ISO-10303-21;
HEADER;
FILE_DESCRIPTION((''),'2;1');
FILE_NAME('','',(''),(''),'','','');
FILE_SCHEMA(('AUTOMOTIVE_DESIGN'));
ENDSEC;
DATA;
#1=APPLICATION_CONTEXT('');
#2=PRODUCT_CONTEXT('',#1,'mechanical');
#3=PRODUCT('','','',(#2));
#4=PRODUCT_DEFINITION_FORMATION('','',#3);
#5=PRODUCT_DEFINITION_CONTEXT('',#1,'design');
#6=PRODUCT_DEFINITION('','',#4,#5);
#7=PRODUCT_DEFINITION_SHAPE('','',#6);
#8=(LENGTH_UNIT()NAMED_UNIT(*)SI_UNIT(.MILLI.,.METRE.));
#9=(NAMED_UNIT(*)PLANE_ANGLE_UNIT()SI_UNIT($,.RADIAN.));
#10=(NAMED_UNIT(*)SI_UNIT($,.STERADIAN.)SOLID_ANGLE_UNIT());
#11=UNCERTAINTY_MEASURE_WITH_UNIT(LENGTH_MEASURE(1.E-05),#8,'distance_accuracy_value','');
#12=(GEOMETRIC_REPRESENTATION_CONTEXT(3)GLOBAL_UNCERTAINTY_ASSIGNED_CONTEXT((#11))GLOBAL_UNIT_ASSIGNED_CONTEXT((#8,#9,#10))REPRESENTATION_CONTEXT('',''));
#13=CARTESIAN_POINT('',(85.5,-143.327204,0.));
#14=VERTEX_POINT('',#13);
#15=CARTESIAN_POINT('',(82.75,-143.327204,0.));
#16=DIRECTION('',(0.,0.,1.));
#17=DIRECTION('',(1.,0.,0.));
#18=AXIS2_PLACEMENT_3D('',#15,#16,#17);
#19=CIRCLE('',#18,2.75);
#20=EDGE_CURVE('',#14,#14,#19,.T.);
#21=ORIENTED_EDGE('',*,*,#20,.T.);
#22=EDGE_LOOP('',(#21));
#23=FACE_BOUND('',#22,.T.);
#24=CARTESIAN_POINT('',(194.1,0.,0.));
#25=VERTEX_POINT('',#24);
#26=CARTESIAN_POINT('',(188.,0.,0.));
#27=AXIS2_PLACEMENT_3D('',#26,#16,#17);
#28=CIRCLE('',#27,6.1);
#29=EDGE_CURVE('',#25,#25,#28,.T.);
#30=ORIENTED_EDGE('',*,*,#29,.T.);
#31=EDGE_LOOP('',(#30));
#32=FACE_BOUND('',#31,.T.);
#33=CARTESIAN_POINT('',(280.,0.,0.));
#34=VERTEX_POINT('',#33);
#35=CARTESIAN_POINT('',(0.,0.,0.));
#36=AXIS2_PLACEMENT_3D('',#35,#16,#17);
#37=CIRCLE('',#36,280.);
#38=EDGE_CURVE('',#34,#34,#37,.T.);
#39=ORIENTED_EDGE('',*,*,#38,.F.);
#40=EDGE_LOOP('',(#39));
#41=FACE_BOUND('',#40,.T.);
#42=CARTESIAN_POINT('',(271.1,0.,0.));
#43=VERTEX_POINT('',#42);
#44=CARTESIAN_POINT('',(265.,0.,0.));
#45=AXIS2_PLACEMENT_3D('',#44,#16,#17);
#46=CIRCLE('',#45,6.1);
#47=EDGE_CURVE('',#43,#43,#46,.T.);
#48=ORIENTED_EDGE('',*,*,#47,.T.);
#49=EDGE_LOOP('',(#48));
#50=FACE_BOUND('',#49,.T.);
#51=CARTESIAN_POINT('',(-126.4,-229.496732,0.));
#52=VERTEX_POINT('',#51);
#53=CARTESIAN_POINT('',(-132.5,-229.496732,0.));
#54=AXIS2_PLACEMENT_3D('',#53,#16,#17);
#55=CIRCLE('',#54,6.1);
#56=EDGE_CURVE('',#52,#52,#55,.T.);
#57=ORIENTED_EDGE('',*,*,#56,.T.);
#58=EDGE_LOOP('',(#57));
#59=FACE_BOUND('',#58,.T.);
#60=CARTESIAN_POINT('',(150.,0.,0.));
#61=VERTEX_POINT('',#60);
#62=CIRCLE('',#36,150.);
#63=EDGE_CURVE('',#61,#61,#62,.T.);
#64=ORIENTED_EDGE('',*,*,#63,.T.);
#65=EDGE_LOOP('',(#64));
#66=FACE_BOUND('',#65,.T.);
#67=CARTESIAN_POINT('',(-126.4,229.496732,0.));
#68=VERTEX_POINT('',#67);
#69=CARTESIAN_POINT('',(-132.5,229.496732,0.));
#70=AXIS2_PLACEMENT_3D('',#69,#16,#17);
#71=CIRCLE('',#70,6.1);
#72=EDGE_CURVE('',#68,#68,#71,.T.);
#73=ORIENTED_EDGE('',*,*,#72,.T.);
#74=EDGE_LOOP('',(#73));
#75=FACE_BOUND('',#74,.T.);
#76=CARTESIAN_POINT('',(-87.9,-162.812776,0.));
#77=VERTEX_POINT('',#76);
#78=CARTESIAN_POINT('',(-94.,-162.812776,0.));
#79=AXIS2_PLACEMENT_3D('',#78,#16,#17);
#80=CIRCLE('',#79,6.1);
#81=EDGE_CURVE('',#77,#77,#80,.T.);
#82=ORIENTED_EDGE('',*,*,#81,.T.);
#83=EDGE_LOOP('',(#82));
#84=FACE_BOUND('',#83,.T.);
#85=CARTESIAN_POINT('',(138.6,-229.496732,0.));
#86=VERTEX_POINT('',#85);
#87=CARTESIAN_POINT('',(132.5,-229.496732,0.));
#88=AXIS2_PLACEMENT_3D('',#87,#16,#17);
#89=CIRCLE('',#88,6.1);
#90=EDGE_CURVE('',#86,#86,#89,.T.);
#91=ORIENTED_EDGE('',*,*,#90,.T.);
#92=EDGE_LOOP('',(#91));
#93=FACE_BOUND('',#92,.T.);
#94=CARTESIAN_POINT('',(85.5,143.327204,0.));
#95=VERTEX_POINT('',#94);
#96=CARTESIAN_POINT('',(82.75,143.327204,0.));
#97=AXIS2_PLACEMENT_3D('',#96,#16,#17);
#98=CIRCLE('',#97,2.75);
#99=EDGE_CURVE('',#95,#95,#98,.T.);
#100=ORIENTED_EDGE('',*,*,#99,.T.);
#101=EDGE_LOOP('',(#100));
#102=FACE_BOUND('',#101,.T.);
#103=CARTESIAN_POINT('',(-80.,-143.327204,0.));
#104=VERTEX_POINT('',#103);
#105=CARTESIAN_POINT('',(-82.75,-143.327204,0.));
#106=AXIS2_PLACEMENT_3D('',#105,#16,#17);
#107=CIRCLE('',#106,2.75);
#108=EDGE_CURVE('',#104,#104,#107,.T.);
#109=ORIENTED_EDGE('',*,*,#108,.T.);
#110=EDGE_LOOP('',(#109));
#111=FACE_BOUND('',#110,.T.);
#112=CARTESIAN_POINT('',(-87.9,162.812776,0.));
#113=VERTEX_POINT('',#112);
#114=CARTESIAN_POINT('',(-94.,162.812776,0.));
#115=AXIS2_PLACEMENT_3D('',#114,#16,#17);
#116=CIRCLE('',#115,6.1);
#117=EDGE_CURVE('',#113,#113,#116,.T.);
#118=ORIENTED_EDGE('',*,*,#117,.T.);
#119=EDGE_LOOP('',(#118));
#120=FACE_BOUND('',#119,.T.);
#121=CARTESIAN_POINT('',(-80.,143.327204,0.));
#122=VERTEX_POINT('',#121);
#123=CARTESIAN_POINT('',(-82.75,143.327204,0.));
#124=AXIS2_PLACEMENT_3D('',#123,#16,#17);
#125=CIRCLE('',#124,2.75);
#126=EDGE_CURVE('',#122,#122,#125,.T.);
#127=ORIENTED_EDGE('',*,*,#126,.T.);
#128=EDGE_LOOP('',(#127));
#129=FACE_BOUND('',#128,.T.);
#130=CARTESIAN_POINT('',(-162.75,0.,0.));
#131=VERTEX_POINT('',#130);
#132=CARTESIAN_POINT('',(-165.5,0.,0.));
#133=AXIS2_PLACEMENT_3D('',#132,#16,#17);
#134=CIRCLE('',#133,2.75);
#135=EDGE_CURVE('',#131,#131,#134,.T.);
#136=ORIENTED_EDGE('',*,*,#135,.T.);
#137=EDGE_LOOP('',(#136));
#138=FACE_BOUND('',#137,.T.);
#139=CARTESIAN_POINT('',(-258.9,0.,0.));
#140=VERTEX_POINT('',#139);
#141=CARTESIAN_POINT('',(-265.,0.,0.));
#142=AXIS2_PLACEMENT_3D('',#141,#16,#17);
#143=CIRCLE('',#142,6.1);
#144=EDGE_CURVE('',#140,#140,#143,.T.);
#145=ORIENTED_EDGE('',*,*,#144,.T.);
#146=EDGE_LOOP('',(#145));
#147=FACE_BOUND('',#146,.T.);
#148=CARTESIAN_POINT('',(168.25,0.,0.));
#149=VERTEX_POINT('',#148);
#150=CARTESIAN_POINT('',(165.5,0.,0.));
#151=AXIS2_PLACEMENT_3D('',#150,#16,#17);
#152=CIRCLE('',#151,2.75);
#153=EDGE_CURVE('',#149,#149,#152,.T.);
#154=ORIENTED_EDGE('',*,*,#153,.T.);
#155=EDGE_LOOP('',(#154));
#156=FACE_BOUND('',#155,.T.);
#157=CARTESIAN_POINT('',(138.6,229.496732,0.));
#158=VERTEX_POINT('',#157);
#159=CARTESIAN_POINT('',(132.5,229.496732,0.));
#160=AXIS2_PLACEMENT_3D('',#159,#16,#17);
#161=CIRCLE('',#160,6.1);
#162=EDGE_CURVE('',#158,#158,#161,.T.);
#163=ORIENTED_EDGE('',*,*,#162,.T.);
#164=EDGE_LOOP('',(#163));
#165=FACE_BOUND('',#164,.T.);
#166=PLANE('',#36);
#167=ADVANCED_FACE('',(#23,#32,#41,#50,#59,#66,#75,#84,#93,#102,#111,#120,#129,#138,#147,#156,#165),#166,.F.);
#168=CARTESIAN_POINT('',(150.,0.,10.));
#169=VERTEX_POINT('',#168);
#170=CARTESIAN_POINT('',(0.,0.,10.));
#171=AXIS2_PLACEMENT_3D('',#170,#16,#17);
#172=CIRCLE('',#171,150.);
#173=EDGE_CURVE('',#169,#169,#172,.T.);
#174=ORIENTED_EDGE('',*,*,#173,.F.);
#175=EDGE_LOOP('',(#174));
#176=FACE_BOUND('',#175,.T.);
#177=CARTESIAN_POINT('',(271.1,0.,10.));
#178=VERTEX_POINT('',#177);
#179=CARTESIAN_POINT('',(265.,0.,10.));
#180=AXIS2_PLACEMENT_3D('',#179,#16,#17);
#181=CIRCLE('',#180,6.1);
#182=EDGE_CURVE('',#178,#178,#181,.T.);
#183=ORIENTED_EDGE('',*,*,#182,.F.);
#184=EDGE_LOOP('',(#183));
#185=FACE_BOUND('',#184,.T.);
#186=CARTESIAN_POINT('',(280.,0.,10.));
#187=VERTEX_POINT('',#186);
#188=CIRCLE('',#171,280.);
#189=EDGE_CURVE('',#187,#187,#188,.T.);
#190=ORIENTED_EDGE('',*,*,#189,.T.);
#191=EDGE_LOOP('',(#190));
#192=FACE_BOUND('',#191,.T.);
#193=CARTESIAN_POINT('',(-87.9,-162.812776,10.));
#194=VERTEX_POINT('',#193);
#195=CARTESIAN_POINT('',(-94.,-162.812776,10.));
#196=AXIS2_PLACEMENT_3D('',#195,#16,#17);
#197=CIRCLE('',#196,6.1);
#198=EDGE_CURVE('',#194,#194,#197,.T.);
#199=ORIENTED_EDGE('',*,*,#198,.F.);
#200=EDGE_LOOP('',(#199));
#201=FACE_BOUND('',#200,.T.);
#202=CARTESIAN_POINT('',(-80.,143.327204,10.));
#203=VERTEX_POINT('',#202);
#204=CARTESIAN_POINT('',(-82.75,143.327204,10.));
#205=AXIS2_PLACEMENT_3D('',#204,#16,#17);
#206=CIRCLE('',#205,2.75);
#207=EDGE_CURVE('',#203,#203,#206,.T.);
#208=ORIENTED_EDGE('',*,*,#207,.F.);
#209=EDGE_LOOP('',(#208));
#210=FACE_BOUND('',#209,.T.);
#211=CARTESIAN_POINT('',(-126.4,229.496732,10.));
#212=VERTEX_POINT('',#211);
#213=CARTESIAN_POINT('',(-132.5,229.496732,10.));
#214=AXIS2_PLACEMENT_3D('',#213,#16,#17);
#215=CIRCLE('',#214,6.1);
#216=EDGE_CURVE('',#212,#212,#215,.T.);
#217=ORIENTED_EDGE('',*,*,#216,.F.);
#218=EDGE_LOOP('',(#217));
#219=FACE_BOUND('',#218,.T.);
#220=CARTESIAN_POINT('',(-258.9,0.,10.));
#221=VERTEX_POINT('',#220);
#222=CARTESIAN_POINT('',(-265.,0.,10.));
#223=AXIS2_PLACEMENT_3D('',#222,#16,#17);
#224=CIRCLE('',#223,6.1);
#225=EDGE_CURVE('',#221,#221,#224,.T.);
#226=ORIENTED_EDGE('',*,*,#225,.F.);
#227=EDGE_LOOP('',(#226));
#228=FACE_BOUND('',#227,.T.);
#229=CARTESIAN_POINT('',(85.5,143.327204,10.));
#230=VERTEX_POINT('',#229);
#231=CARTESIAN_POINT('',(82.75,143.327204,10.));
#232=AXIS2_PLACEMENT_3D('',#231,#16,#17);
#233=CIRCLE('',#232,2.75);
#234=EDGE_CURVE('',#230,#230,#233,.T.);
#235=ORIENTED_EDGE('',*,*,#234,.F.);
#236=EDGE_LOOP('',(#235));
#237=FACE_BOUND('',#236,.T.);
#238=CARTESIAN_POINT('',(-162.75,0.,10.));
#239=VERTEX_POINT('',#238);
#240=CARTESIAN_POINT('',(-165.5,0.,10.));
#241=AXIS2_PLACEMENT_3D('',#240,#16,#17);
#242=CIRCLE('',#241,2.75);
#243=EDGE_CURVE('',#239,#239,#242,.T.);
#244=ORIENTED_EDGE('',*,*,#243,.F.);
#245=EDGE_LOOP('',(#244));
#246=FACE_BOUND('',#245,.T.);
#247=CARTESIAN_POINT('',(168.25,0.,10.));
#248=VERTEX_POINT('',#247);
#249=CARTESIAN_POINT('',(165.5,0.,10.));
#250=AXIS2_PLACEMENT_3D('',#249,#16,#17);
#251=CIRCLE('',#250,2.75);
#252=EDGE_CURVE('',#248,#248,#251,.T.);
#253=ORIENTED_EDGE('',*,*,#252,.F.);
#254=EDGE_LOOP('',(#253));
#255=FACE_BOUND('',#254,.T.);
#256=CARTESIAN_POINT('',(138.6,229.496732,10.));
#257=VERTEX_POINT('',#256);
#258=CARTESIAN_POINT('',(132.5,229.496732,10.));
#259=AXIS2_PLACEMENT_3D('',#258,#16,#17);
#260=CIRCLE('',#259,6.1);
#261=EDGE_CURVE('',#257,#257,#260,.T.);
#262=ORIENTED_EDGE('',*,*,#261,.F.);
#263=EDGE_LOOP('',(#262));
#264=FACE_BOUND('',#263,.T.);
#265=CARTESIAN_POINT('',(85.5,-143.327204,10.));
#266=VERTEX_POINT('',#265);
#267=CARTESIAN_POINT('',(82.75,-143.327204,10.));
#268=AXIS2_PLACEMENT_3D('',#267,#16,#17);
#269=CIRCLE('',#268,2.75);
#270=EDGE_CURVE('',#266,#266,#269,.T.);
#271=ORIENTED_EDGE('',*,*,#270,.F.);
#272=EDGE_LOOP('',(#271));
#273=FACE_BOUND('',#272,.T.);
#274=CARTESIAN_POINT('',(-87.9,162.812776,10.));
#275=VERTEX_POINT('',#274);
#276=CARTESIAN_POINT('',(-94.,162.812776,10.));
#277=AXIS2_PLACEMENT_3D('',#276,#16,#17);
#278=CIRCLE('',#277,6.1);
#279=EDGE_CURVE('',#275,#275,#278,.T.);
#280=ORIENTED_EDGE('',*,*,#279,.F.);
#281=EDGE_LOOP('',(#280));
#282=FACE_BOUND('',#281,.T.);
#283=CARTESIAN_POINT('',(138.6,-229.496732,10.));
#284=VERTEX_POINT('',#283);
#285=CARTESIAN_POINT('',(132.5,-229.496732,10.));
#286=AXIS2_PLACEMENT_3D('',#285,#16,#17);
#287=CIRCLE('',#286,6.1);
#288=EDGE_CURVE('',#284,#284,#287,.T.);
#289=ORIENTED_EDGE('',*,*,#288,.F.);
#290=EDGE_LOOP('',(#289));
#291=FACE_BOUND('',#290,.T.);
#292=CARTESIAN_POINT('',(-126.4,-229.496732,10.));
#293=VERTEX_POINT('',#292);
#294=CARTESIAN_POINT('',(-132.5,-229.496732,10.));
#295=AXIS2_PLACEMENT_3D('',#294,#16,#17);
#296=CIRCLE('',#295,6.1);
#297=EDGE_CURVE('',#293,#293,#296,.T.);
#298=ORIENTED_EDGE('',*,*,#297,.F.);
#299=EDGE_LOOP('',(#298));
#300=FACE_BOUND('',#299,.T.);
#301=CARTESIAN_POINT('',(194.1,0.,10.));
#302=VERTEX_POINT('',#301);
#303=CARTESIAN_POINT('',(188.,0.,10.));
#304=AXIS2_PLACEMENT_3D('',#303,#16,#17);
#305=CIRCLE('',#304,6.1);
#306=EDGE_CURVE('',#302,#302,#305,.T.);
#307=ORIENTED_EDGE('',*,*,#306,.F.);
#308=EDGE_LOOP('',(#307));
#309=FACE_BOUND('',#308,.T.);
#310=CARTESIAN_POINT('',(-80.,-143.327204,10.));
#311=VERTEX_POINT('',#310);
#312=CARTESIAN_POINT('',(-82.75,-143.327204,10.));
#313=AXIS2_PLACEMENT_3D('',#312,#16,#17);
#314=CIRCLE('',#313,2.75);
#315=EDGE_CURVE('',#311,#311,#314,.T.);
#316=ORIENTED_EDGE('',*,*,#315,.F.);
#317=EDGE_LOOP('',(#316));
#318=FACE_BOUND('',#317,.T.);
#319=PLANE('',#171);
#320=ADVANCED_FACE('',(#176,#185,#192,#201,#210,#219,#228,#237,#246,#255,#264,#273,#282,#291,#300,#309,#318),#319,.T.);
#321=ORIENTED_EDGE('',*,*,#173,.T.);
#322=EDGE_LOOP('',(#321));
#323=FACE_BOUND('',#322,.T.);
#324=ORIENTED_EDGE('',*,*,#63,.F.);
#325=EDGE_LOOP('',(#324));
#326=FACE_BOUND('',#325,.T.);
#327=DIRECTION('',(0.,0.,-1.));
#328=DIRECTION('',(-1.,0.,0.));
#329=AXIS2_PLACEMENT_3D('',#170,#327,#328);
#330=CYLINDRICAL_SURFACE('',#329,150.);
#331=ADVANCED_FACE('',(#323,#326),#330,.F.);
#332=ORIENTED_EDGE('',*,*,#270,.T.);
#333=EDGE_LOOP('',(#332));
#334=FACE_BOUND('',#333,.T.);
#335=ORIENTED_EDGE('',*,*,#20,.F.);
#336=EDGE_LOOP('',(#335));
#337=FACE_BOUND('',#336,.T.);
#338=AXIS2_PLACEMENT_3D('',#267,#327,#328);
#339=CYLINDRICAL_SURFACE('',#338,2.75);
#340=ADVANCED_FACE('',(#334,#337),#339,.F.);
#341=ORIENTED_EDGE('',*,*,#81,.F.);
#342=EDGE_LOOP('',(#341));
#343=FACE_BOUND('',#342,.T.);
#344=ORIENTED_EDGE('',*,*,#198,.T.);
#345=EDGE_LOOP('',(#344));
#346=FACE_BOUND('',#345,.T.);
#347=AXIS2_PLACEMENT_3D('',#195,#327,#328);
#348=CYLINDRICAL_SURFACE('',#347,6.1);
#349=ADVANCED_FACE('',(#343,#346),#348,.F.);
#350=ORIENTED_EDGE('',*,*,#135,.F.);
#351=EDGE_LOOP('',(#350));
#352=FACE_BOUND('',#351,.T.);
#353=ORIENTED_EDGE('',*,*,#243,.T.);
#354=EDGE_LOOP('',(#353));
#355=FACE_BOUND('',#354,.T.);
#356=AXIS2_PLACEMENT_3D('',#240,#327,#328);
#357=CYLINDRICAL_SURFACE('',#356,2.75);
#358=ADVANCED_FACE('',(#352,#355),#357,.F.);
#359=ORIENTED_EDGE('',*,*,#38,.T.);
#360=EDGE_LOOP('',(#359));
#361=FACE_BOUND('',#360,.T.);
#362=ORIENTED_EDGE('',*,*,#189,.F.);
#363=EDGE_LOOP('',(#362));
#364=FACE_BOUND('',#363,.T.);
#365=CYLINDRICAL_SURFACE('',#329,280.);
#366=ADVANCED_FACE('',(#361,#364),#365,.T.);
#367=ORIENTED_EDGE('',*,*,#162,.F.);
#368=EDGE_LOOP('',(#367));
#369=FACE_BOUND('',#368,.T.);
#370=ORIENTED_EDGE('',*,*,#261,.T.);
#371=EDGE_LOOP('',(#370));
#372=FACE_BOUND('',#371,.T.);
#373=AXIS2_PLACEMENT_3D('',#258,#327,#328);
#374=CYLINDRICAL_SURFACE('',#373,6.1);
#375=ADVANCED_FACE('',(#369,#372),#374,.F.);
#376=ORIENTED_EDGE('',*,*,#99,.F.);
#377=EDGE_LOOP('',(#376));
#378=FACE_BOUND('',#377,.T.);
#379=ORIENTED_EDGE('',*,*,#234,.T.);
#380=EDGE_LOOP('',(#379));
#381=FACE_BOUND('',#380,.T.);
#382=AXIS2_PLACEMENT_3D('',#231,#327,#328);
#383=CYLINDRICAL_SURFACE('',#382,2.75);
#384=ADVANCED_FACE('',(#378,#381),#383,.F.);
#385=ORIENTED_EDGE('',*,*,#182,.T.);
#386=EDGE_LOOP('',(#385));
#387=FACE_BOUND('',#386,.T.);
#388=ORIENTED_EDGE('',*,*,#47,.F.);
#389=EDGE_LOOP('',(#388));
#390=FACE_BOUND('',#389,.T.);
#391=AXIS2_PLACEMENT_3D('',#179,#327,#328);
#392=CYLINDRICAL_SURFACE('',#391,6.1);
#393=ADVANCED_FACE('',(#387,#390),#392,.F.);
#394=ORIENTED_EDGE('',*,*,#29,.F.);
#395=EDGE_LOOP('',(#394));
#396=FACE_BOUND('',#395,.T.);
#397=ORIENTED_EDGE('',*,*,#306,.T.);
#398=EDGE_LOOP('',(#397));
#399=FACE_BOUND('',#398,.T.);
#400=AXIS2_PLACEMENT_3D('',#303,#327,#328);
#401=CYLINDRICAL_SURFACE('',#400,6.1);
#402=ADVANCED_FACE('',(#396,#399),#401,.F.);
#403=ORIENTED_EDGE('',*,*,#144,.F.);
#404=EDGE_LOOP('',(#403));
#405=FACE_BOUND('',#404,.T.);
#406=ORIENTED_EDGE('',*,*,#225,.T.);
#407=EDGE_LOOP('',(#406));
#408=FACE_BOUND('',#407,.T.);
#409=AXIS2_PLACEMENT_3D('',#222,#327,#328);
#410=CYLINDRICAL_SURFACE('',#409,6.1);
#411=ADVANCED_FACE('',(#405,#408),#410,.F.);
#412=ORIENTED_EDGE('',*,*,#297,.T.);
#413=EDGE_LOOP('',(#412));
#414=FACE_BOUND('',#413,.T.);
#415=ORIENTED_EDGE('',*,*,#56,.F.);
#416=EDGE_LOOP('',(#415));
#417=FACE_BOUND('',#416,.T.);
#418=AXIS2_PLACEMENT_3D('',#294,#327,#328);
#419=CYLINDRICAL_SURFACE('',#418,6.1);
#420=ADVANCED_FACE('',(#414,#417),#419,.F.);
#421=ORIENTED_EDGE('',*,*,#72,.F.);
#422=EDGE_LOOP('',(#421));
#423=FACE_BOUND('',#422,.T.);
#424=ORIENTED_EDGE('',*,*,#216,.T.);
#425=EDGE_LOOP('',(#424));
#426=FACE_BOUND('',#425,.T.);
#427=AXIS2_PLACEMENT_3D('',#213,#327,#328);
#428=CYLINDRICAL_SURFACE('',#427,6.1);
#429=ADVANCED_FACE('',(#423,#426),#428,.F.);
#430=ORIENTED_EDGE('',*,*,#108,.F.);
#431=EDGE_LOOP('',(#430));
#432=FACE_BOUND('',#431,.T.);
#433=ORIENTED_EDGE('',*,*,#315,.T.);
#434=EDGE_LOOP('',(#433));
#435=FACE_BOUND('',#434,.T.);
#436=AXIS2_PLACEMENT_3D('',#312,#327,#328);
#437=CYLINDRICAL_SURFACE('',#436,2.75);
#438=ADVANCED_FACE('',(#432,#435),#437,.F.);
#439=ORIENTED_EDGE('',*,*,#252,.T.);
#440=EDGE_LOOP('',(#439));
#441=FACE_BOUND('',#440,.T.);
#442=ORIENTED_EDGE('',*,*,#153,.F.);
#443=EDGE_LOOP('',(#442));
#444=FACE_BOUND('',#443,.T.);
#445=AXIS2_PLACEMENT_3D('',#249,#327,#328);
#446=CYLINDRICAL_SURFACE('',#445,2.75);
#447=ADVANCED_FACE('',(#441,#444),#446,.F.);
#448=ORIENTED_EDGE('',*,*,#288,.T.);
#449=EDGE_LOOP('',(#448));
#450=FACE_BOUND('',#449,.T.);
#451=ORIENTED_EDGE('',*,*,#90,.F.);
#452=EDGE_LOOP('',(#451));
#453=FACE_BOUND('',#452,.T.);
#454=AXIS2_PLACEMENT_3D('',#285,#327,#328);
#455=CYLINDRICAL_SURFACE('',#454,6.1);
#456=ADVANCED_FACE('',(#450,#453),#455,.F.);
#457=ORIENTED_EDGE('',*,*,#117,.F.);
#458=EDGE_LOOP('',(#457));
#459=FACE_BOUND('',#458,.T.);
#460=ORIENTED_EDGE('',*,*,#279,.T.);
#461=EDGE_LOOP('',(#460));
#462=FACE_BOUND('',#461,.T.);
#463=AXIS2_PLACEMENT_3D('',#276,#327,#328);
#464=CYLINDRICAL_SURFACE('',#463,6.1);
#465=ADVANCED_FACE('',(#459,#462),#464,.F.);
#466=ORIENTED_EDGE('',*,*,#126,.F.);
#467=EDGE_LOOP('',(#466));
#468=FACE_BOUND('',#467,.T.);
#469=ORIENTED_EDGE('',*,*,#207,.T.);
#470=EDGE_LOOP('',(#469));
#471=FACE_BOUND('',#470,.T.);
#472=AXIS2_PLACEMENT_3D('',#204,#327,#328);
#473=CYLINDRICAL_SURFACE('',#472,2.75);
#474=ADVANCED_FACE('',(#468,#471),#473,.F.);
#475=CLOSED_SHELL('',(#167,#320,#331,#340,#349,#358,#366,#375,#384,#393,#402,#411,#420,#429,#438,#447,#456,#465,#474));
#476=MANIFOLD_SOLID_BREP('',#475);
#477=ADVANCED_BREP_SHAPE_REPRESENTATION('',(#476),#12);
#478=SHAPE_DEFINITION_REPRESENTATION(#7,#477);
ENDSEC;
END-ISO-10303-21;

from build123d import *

# Parameters (mm, degrees)
SKETCH_2_R      = 280
SKETCH_2_R_2    = 150
SKETCH_2_R_3    = 6.1
SKETCH_2_R_4    = 2.75
EXTRUDE_1_DEPTH = 10


with BuildPart() as part:
    # Эскиз2 → Бобышка-Вытянуть1 (new body)
    with BuildSketch(Plane(origin=(0, 0, 0), x_dir=(-1, 0, 0), z_dir=(0, 0, 1))):
        with Locations(Location((0, 0, 0), (0, 0, 180))):
            Circle(SKETCH_2_R)
        with Locations(Location((0, 0, 0), (0, 0, 180))):
            Circle(SKETCH_2_R_2, mode=Mode.SUBTRACT)
        with Locations(Location((-188, 0, 0), (0, 0, 180))):
            Circle(SKETCH_2_R_3, mode=Mode.SUBTRACT)
        with Locations(Location((-165.5, 0, 0), (0, 0, 180))):
            Circle(SKETCH_2_R_4, mode=Mode.SUBTRACT)
        with Locations(Location((-265, 0, 0), (0, 0, 180))):
            Circle(SKETCH_2_R_3, mode=Mode.SUBTRACT)
        with Locations(Location((-82.75, 143.327204326, 0), (0, 0, 180))):
            Circle(SKETCH_2_R_4, mode=Mode.SUBTRACT)
        with Locations(Location((82.75, 143.327204326, 0), (0, 0, 180))):
            Circle(SKETCH_2_R_4, mode=Mode.SUBTRACT)
        with Locations(Location((165.5, 0, 0), (0, 0, 180))):
            Circle(SKETCH_2_R_4, mode=Mode.SUBTRACT)
        with Locations(Location((82.75, -143.327204326, 0), (0, 0, 180))):
            Circle(SKETCH_2_R_4, mode=Mode.SUBTRACT)
        with Locations(Location((-82.75, -143.327204326, 0), (0, 0, 180))):
            Circle(SKETCH_2_R_4, mode=Mode.SUBTRACT)
        with Locations(Location((94, 162.812775911, 0), (0, 0, 180))):
            Circle(SKETCH_2_R_3, mode=Mode.SUBTRACT)
        with Locations(Location((94, -162.812775911, 0), (0, 0, 180))):
            Circle(SKETCH_2_R_3, mode=Mode.SUBTRACT)
        with Locations(Location((-132.5, 229.496732003, 0), (0, 0, 180))):
            Circle(SKETCH_2_R_3, mode=Mode.SUBTRACT)
        with Locations(Location((132.5, 229.496732003, 0), (0, 0, 180))):
            Circle(SKETCH_2_R_3, mode=Mode.SUBTRACT)
        with Locations(Location((265, 0, 0), (0, 0, 180))):
            Circle(SKETCH_2_R_3, mode=Mode.SUBTRACT)
        with Locations(Location((132.5, -229.496732003, 0), (0, 0, 180))):
            Circle(SKETCH_2_R_3, mode=Mode.SUBTRACT)
        with Locations(Location((-132.5, -229.496732003, 0), (0, 0, 180))):
            Circle(SKETCH_2_R_3, mode=Mode.SUBTRACT)
    extrude(amount=EXTRUDE_1_DEPTH)


solid = part.part
